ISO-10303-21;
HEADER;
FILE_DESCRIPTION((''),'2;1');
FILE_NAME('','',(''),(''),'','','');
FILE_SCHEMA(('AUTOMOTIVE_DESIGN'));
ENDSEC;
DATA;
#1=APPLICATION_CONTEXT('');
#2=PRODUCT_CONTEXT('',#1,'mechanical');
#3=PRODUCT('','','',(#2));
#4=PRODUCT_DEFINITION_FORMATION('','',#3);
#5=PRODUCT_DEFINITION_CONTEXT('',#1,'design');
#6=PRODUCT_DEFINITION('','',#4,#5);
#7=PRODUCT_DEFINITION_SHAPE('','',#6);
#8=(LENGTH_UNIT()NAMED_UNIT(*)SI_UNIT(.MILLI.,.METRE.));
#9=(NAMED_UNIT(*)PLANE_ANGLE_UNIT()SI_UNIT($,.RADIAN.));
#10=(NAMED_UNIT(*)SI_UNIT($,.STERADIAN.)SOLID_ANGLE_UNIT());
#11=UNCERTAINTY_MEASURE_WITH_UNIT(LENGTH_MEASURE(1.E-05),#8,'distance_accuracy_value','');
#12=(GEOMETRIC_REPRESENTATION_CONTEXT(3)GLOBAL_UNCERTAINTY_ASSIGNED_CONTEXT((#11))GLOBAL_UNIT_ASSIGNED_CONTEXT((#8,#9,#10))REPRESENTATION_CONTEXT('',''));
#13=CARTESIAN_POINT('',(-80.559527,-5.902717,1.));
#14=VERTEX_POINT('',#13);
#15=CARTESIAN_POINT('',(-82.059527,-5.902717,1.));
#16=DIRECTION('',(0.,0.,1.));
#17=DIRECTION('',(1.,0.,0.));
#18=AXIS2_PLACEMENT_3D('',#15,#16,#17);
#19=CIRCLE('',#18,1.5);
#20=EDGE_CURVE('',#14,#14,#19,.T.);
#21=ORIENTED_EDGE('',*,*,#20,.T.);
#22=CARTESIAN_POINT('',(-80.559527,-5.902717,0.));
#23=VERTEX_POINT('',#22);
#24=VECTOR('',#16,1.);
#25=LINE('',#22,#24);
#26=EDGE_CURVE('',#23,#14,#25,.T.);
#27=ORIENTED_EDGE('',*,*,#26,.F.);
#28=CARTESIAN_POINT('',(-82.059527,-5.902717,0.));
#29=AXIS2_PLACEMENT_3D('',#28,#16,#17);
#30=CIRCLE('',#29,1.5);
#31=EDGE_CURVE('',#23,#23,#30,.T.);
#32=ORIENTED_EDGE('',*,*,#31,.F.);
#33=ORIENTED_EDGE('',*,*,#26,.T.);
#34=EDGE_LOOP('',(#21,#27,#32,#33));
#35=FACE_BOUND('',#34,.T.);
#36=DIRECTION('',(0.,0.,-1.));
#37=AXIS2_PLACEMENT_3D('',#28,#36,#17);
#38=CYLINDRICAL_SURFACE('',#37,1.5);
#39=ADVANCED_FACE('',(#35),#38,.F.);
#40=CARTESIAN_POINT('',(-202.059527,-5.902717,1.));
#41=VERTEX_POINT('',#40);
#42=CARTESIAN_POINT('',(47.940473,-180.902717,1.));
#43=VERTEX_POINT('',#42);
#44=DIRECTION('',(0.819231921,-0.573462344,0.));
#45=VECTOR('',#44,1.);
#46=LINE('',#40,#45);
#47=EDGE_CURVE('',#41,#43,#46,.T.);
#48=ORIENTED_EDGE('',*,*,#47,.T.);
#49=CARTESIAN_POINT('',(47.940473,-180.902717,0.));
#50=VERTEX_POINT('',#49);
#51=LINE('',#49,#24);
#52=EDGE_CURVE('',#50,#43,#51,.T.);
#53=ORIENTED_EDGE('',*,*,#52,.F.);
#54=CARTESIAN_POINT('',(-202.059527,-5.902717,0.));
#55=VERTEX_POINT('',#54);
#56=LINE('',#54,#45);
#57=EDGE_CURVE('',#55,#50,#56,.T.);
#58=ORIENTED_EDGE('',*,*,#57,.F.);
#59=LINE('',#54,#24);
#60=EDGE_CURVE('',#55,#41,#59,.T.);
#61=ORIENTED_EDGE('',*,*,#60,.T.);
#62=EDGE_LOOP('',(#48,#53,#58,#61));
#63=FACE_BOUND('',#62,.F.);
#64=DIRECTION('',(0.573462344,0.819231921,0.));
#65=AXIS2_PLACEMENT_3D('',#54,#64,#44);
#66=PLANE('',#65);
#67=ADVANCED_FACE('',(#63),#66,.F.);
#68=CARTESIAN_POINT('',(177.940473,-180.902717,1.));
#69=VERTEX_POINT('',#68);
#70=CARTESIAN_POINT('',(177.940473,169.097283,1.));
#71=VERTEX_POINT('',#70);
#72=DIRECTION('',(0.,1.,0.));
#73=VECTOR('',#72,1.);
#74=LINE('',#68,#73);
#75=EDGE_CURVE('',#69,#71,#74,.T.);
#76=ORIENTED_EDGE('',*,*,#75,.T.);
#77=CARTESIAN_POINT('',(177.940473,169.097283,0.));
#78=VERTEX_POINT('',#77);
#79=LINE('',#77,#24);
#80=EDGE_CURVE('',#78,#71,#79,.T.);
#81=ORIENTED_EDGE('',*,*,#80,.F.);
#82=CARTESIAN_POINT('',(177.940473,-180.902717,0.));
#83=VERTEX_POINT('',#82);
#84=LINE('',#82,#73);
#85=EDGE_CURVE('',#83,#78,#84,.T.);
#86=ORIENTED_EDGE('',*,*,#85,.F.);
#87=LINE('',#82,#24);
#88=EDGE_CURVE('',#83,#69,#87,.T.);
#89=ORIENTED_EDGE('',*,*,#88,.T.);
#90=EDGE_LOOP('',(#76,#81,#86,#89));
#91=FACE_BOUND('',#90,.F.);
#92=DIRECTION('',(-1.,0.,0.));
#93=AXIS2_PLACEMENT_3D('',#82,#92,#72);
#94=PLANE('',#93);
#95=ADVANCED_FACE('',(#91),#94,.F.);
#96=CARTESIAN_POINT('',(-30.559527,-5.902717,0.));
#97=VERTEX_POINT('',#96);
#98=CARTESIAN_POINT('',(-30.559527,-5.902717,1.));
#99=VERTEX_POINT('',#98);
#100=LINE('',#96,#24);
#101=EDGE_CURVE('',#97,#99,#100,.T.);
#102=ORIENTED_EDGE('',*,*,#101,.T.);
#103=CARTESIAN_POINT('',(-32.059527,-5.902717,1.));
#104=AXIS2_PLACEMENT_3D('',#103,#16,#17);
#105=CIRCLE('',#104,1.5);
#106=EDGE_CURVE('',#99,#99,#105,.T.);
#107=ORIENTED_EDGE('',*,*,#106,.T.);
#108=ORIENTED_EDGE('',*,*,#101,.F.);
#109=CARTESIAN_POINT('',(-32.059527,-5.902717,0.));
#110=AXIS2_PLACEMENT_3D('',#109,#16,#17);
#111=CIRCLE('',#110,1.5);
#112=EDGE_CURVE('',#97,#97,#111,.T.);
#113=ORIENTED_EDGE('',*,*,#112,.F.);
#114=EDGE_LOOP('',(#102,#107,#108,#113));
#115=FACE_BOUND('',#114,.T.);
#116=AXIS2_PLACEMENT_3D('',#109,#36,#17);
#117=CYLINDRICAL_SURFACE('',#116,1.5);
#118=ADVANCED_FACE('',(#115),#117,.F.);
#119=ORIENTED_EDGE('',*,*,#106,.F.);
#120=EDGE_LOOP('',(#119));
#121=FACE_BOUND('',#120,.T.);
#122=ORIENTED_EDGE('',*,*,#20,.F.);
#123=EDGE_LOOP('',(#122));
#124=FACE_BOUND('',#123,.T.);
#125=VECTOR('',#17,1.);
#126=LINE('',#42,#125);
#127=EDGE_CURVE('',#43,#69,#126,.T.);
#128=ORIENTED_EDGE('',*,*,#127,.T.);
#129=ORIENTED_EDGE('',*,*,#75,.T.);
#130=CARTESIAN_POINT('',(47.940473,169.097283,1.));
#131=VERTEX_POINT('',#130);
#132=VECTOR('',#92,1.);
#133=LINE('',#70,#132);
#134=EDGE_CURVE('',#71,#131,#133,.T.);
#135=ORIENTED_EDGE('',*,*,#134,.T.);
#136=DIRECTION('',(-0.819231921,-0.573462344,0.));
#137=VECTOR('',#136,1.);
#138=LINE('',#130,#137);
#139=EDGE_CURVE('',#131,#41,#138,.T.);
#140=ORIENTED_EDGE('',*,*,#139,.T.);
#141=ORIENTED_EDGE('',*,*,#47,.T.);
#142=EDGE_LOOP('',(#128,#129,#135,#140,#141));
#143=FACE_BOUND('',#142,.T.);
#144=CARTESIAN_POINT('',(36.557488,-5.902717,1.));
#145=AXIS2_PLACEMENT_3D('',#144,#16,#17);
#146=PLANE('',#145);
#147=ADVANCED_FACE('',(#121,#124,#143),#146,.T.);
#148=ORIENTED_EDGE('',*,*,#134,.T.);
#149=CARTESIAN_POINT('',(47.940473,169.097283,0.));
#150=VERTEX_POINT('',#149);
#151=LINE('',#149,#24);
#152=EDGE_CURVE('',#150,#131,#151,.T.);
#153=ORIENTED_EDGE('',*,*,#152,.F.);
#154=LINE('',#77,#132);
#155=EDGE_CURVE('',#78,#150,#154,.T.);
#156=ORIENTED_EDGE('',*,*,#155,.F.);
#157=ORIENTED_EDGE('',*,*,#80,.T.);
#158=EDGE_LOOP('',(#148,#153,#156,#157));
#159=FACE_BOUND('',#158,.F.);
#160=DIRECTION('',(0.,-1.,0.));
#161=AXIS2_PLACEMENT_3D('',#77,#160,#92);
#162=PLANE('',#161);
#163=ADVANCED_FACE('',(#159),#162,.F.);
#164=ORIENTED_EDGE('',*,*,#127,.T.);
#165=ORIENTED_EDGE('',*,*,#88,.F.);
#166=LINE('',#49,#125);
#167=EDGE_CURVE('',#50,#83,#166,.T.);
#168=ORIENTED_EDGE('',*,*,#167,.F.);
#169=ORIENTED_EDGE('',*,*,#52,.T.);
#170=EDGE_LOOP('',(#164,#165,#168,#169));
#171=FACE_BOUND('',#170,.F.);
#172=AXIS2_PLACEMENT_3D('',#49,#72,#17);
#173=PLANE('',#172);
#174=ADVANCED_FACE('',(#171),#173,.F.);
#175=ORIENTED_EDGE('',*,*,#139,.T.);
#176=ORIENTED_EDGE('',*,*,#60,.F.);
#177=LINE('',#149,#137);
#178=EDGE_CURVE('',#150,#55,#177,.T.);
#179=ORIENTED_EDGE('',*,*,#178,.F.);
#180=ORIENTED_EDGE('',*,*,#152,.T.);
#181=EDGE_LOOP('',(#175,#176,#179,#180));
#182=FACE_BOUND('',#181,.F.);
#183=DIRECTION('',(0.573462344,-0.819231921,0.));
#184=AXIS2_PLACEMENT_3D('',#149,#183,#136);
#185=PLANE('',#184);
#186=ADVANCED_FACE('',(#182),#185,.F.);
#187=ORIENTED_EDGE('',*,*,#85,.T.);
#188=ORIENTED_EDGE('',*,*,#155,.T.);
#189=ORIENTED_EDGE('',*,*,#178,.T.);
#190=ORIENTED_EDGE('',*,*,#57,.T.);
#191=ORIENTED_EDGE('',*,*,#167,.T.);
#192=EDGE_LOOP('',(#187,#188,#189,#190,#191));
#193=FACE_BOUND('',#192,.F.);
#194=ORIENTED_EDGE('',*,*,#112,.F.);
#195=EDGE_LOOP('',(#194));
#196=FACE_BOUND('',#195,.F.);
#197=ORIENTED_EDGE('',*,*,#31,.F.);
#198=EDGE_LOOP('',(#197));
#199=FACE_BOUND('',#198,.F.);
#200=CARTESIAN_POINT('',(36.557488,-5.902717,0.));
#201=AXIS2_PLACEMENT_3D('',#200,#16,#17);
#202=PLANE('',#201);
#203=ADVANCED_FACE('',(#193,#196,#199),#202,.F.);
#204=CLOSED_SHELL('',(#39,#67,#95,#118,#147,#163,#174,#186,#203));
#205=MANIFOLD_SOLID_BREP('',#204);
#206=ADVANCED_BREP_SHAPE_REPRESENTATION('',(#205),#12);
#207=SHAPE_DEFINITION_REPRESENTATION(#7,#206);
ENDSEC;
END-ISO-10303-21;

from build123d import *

# Parameters (mm, degrees)
F0_R     = 1.5
F1_DEPTH = 1


with BuildPart() as f1:
    # F0 (on Top) → F1 (new body)
    with BuildSketch(Plane.XY):
        Polygon((177.940473, 169.097283), (47.940473, 169.097283), (-202.059527, -5.902717), (47.940473, -180.902717), (177.940473, -180.902717), align=None)
        with Locations((-82.059527, -5.902717)):
            Circle(F0_R, mode=Mode.SUBTRACT)
        with Locations((-32.059527, -5.902717)):
            Circle(F0_R, mode=Mode.SUBTRACT)
    extrude(amount=F1_DEPTH)


solid = f1.part
